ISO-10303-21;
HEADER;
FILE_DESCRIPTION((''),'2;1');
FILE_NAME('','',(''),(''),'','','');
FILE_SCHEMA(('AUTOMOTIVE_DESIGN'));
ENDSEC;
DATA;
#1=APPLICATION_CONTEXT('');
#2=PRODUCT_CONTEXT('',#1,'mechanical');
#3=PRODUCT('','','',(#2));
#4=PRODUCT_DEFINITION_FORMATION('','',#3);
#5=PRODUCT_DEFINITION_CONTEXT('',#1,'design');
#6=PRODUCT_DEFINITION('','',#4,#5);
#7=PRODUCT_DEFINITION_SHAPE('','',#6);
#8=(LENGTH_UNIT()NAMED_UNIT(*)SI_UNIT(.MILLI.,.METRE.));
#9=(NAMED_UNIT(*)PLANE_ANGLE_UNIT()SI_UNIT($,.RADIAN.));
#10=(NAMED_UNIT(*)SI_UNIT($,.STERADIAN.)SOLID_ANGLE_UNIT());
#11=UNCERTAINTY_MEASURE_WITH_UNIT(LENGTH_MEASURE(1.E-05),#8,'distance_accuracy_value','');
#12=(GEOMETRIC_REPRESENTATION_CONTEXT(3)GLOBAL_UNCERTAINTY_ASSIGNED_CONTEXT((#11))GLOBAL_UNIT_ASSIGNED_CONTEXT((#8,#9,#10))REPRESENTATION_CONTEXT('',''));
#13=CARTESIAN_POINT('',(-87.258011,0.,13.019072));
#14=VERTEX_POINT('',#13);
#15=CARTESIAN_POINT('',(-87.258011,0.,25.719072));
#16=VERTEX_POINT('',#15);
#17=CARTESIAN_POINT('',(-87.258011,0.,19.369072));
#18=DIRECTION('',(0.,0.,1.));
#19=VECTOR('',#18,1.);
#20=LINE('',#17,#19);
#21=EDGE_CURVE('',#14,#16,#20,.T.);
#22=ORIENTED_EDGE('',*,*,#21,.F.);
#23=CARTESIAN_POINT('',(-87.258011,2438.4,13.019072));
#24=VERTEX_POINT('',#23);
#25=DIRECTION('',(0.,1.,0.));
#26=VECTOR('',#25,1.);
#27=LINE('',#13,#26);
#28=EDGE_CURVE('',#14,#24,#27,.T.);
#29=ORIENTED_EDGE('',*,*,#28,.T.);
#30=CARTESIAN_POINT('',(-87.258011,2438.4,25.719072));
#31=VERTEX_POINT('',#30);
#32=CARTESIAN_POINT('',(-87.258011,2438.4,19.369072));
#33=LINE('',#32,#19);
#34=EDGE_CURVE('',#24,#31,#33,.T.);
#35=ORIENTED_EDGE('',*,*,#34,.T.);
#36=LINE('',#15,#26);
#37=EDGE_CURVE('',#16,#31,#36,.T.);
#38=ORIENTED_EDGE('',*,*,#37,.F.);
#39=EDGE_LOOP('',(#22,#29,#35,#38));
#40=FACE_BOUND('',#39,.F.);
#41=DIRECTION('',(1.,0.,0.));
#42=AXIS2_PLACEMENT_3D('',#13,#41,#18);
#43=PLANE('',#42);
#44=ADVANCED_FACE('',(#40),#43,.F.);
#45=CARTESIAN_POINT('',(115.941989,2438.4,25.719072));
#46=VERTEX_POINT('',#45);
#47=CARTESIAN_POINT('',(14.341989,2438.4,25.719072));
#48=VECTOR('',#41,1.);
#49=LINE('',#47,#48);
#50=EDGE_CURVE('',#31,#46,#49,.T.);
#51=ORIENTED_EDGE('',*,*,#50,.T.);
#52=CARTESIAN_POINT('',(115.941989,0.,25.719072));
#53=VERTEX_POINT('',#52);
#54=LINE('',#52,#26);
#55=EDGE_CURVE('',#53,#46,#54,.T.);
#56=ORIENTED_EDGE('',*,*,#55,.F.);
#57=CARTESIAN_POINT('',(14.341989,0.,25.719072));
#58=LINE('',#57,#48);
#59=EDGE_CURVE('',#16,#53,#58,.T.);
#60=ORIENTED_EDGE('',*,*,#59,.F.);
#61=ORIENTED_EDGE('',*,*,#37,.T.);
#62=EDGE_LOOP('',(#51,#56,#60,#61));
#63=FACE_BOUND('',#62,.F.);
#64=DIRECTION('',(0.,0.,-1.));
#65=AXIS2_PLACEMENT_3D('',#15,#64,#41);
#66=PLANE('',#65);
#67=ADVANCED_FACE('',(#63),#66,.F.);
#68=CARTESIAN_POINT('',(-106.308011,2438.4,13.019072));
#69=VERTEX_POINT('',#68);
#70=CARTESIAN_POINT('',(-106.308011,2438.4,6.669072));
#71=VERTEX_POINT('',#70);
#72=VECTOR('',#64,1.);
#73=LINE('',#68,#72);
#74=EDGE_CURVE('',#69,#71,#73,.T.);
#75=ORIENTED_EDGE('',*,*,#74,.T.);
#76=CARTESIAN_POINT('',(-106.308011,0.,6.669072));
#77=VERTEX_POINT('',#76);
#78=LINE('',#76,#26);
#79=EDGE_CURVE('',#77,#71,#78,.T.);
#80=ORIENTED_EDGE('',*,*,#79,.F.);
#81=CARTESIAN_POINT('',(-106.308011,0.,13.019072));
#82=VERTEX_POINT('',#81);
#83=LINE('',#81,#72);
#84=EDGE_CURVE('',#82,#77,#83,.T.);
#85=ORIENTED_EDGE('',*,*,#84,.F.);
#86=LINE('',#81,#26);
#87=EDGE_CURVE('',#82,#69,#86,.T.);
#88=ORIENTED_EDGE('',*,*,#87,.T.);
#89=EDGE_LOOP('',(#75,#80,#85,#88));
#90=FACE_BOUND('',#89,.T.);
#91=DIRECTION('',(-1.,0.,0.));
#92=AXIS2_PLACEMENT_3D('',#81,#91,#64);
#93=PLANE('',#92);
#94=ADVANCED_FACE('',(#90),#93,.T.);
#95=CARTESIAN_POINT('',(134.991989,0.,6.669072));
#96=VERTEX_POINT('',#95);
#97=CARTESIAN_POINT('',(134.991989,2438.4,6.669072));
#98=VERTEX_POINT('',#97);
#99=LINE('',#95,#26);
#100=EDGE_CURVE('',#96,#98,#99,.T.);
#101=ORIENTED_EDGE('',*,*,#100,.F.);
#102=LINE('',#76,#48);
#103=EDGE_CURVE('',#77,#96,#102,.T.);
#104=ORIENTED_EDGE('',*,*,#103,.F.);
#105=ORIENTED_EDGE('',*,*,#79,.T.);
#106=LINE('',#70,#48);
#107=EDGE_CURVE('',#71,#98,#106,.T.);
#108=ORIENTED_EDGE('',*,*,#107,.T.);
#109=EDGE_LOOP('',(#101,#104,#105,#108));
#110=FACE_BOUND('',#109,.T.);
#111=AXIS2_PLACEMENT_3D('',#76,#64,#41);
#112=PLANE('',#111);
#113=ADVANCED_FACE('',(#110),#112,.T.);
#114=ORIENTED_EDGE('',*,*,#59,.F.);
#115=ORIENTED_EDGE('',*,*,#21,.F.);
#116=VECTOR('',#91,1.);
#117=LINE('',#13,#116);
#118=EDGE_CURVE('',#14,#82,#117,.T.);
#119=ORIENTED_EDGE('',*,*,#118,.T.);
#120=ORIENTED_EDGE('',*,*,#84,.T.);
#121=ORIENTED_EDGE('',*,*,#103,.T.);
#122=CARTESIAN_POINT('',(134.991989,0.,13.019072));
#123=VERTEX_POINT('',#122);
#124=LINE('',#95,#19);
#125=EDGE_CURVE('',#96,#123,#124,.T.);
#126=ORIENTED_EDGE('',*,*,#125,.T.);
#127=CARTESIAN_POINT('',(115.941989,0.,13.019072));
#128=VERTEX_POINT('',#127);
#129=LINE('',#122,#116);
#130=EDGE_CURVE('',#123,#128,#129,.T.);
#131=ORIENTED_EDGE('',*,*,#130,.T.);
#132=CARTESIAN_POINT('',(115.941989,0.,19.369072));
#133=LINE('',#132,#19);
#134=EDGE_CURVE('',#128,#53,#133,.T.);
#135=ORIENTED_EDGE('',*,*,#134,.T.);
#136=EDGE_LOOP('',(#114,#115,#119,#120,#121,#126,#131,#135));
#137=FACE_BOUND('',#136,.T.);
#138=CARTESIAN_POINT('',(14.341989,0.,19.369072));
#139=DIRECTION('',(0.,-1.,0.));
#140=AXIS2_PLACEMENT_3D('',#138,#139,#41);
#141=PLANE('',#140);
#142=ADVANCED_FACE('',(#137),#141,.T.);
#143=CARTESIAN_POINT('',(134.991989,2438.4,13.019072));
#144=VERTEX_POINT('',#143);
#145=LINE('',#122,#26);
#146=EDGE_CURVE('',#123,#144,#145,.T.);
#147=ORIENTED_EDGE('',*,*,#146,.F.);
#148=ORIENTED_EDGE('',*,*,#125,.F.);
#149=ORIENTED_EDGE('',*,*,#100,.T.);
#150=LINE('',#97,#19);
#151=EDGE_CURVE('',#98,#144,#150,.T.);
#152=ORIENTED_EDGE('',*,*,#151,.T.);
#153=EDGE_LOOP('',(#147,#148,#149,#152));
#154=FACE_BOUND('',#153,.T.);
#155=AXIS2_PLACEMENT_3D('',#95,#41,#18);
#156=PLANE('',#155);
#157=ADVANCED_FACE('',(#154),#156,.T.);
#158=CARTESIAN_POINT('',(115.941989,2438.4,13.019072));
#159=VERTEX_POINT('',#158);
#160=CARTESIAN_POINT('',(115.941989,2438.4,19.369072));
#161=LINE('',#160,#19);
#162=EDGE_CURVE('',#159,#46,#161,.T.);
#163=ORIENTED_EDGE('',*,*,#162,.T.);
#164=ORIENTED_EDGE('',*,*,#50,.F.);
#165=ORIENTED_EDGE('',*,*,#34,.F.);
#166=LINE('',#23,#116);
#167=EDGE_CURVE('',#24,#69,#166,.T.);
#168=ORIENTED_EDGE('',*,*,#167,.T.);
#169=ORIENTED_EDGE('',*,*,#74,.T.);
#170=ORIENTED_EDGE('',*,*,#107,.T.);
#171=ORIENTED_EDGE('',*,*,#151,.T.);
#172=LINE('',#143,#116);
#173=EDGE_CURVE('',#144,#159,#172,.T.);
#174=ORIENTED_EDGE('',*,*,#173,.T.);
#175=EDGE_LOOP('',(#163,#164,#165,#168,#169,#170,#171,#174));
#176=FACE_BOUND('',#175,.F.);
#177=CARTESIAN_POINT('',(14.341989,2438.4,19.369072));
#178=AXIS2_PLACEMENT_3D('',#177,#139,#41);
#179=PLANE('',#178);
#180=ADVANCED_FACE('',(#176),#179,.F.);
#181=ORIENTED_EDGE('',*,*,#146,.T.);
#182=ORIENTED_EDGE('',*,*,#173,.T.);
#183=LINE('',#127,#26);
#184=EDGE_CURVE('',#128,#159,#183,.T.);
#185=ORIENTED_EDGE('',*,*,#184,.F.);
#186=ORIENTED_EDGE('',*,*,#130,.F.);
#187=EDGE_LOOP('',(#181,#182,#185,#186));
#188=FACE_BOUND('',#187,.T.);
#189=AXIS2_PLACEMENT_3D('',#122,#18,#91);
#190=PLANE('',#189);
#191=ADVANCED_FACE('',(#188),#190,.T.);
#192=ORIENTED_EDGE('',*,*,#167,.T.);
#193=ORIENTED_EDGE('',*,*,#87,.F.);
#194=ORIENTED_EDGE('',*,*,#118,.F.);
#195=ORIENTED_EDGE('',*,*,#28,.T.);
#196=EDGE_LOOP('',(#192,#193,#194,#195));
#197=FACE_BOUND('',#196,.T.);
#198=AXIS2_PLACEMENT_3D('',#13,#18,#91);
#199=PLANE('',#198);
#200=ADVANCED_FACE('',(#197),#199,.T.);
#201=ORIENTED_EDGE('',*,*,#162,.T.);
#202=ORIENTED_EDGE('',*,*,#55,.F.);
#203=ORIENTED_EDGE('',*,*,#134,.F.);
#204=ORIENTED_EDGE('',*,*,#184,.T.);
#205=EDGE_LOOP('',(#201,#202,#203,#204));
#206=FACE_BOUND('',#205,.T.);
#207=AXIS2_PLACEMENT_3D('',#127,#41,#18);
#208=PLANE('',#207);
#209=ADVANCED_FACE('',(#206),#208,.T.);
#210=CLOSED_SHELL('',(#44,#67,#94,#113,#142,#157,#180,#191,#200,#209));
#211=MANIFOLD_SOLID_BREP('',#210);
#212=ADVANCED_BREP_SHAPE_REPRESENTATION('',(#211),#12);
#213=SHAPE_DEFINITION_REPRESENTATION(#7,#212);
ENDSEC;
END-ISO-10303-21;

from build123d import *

# Parameters (mm, degrees)
F0_W     = 203.2
F0_H     = 12.7
F1_DEPTH = 2438.4


with BuildPart() as f1:
    # F0 (on Front) → F1 (new body)
    with BuildSketch(Plane.XZ):
        with Locations((14.341989, 19.369072)):
            Rectangle(F0_W, F0_H)
        Polygon((115.941989, 13.019072), (-87.258011, 13.019072), (-106.308011, 13.019072), (-106.308011, 6.669072), (134.991989, 6.669072), (134.991989, 13.019072), align=None)
    extrude(amount=-F1_DEPTH)


solid = f1.part
